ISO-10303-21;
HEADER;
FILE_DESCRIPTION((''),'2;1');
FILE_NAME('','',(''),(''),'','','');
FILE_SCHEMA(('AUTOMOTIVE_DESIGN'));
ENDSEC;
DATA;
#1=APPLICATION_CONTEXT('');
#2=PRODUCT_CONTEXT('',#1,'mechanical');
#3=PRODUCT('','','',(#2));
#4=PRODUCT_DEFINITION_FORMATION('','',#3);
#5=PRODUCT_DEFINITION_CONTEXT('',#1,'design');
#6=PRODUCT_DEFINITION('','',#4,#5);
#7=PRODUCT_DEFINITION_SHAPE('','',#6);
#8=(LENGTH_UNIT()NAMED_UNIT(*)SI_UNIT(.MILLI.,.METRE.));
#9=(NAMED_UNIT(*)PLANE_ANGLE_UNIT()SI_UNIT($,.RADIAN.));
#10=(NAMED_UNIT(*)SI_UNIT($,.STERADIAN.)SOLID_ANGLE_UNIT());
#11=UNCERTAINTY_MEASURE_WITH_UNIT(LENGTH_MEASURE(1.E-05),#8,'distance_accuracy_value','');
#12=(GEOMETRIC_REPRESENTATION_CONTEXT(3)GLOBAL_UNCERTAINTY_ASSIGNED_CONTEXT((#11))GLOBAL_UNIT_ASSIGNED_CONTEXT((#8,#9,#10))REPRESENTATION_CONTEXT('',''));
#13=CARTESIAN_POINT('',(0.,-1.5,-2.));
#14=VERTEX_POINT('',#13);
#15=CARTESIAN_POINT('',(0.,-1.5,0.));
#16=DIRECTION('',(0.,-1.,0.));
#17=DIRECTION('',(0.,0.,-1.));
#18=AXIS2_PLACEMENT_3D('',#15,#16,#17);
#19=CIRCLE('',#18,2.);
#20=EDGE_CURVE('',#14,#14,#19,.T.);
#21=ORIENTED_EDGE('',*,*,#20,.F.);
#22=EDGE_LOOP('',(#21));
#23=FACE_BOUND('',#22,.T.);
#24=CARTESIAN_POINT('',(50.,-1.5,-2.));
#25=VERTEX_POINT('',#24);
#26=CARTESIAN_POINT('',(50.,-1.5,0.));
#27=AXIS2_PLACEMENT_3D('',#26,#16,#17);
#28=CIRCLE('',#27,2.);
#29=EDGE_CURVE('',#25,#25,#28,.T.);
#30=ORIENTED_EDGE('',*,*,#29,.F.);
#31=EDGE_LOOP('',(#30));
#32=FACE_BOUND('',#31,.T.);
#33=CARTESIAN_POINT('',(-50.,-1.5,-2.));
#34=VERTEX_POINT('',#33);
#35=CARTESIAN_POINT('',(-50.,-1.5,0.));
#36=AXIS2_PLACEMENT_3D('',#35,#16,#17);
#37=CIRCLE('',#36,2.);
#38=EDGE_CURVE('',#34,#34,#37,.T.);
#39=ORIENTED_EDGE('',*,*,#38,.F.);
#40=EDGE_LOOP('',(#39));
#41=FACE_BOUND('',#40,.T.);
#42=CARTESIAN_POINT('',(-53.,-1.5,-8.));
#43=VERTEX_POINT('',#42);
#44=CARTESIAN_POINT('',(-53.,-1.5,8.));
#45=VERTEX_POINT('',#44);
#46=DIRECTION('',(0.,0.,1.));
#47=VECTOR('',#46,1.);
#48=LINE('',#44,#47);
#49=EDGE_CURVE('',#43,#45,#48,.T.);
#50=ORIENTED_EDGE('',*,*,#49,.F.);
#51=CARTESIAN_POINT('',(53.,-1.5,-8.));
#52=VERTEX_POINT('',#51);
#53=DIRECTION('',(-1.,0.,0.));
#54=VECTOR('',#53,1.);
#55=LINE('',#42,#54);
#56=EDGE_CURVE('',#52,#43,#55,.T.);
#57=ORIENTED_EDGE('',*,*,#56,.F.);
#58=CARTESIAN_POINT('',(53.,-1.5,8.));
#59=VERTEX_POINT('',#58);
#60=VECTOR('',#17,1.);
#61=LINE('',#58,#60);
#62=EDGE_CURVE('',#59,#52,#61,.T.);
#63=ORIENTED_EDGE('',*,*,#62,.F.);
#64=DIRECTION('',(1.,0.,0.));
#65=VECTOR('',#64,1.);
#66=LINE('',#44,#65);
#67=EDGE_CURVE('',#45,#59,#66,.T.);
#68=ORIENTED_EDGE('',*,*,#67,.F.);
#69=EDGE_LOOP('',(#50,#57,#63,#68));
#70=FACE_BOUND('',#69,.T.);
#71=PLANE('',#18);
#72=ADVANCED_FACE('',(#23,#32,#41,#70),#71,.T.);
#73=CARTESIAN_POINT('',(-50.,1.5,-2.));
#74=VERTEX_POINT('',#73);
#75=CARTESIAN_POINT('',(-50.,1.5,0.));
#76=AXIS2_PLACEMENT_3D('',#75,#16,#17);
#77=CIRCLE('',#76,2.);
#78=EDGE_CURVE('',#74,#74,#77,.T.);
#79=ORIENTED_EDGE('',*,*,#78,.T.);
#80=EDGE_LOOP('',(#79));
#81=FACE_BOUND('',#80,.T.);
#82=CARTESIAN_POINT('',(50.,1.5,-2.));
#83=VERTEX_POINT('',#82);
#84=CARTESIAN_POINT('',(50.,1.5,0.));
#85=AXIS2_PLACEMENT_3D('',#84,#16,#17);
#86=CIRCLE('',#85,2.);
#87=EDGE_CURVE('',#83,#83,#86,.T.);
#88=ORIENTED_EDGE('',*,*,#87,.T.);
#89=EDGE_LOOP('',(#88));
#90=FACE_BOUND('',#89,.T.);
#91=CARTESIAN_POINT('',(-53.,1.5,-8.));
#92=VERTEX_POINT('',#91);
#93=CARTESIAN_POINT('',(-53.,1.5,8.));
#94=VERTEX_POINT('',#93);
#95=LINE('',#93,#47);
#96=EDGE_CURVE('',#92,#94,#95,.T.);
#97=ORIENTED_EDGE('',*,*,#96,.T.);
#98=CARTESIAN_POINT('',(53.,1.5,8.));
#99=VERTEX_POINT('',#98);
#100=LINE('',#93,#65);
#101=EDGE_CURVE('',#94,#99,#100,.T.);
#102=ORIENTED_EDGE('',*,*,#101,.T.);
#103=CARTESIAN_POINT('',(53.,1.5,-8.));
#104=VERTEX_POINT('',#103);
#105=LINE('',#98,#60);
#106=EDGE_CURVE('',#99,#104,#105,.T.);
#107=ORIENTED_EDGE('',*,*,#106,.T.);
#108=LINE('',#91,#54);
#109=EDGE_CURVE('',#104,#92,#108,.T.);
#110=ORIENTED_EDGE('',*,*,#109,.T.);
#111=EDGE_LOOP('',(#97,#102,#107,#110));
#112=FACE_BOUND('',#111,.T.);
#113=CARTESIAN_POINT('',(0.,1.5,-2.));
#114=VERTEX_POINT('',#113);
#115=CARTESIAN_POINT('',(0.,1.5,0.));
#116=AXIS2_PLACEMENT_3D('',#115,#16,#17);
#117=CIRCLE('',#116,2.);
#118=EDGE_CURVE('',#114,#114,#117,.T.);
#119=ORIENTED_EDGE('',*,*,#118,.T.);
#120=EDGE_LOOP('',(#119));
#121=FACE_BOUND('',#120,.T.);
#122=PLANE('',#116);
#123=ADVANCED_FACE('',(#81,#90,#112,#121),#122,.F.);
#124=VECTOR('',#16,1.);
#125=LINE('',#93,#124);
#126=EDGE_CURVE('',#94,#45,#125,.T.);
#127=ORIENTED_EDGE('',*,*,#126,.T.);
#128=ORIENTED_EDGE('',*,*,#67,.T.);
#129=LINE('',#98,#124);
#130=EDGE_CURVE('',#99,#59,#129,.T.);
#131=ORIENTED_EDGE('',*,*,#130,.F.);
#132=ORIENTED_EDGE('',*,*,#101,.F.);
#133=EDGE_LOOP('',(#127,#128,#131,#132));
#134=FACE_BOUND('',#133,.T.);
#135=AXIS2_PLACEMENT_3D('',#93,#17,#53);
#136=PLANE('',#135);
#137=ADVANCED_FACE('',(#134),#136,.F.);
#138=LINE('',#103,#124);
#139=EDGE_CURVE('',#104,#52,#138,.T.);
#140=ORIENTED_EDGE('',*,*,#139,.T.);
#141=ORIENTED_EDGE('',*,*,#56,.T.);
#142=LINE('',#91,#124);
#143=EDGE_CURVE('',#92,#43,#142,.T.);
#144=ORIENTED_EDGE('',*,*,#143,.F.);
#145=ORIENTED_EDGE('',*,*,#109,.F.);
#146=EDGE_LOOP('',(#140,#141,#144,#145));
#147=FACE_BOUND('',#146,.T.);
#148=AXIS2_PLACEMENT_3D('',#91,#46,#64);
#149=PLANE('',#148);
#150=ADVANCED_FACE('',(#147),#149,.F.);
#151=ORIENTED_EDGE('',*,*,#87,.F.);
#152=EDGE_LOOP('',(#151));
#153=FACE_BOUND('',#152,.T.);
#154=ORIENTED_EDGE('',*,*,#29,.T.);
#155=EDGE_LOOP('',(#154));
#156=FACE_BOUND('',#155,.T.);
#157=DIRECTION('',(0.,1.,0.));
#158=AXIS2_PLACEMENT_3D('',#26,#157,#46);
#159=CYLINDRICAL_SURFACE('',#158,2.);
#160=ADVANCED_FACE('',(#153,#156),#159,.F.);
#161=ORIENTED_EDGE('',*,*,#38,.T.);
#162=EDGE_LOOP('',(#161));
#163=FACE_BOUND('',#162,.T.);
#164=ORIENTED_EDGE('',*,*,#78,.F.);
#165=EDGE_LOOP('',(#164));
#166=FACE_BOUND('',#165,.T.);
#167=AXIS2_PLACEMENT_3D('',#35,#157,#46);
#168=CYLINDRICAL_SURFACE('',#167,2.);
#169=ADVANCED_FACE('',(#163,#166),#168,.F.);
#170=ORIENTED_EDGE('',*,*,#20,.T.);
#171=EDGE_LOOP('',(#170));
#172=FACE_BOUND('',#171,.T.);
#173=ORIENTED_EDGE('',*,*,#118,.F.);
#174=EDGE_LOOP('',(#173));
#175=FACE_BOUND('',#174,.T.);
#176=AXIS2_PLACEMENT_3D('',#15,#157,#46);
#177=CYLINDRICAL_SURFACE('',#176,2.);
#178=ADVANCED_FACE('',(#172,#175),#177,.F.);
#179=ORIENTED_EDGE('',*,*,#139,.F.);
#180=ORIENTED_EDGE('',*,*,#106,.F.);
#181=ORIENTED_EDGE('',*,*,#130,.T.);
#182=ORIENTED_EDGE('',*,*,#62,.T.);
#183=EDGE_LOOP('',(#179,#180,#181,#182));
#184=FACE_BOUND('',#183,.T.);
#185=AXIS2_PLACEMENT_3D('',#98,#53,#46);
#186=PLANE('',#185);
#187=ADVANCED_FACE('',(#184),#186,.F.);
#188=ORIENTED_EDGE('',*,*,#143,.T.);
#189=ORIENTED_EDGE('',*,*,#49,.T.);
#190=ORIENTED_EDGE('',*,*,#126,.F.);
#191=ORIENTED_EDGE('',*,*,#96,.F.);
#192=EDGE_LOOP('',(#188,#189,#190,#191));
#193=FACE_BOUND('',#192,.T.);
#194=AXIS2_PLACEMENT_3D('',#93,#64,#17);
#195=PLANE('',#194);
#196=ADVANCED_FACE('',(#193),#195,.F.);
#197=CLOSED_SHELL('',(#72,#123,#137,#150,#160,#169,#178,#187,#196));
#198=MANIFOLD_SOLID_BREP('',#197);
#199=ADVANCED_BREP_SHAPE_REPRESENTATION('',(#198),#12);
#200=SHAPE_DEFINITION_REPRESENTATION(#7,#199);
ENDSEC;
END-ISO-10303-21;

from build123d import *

# Parameters (mm, degrees)
SKETCH_1_W          = 106
SKETCH_1_H          = 16
EXTRUDE_1_DEPTH     = 1.5
SKETCH_2_R          = 2
CUT_EXTRUDE_1_DEPTH = 55.536684901


with BuildPart() as part:
    # 스케치1 → 보스-돌출1 (new, symmetric)
    with BuildSketch(Plane(origin=(0, 0, 0), x_dir=(1, 0, 0), z_dir=(0, 1, 0))):
        Rectangle(SKETCH_1_W, SKETCH_1_H)
    extrude(amount=EXTRUDE_1_DEPTH, both=True)

    # 스케치2 → 컷-돌출1 (cut, through all)
    with BuildSketch(Plane(origin=(0, 1.5, 4.5), x_dir=(-1, 0, 0), z_dir=(0, -1, 0))):
        with Locations(Location((0, 4.5, 0), (0, 0, 90))):
            Circle(SKETCH_2_R)
        with Locations(Location((50, 4.5, 0), (0, 0, 90))):
            Circle(SKETCH_2_R)
        with Locations(Location((-50, 4.5, 0), (0, 0, 90))):
            Circle(SKETCH_2_R)
    extrude(amount=CUT_EXTRUDE_1_DEPTH, mode=Mode.SUBTRACT)


solid = part.part
